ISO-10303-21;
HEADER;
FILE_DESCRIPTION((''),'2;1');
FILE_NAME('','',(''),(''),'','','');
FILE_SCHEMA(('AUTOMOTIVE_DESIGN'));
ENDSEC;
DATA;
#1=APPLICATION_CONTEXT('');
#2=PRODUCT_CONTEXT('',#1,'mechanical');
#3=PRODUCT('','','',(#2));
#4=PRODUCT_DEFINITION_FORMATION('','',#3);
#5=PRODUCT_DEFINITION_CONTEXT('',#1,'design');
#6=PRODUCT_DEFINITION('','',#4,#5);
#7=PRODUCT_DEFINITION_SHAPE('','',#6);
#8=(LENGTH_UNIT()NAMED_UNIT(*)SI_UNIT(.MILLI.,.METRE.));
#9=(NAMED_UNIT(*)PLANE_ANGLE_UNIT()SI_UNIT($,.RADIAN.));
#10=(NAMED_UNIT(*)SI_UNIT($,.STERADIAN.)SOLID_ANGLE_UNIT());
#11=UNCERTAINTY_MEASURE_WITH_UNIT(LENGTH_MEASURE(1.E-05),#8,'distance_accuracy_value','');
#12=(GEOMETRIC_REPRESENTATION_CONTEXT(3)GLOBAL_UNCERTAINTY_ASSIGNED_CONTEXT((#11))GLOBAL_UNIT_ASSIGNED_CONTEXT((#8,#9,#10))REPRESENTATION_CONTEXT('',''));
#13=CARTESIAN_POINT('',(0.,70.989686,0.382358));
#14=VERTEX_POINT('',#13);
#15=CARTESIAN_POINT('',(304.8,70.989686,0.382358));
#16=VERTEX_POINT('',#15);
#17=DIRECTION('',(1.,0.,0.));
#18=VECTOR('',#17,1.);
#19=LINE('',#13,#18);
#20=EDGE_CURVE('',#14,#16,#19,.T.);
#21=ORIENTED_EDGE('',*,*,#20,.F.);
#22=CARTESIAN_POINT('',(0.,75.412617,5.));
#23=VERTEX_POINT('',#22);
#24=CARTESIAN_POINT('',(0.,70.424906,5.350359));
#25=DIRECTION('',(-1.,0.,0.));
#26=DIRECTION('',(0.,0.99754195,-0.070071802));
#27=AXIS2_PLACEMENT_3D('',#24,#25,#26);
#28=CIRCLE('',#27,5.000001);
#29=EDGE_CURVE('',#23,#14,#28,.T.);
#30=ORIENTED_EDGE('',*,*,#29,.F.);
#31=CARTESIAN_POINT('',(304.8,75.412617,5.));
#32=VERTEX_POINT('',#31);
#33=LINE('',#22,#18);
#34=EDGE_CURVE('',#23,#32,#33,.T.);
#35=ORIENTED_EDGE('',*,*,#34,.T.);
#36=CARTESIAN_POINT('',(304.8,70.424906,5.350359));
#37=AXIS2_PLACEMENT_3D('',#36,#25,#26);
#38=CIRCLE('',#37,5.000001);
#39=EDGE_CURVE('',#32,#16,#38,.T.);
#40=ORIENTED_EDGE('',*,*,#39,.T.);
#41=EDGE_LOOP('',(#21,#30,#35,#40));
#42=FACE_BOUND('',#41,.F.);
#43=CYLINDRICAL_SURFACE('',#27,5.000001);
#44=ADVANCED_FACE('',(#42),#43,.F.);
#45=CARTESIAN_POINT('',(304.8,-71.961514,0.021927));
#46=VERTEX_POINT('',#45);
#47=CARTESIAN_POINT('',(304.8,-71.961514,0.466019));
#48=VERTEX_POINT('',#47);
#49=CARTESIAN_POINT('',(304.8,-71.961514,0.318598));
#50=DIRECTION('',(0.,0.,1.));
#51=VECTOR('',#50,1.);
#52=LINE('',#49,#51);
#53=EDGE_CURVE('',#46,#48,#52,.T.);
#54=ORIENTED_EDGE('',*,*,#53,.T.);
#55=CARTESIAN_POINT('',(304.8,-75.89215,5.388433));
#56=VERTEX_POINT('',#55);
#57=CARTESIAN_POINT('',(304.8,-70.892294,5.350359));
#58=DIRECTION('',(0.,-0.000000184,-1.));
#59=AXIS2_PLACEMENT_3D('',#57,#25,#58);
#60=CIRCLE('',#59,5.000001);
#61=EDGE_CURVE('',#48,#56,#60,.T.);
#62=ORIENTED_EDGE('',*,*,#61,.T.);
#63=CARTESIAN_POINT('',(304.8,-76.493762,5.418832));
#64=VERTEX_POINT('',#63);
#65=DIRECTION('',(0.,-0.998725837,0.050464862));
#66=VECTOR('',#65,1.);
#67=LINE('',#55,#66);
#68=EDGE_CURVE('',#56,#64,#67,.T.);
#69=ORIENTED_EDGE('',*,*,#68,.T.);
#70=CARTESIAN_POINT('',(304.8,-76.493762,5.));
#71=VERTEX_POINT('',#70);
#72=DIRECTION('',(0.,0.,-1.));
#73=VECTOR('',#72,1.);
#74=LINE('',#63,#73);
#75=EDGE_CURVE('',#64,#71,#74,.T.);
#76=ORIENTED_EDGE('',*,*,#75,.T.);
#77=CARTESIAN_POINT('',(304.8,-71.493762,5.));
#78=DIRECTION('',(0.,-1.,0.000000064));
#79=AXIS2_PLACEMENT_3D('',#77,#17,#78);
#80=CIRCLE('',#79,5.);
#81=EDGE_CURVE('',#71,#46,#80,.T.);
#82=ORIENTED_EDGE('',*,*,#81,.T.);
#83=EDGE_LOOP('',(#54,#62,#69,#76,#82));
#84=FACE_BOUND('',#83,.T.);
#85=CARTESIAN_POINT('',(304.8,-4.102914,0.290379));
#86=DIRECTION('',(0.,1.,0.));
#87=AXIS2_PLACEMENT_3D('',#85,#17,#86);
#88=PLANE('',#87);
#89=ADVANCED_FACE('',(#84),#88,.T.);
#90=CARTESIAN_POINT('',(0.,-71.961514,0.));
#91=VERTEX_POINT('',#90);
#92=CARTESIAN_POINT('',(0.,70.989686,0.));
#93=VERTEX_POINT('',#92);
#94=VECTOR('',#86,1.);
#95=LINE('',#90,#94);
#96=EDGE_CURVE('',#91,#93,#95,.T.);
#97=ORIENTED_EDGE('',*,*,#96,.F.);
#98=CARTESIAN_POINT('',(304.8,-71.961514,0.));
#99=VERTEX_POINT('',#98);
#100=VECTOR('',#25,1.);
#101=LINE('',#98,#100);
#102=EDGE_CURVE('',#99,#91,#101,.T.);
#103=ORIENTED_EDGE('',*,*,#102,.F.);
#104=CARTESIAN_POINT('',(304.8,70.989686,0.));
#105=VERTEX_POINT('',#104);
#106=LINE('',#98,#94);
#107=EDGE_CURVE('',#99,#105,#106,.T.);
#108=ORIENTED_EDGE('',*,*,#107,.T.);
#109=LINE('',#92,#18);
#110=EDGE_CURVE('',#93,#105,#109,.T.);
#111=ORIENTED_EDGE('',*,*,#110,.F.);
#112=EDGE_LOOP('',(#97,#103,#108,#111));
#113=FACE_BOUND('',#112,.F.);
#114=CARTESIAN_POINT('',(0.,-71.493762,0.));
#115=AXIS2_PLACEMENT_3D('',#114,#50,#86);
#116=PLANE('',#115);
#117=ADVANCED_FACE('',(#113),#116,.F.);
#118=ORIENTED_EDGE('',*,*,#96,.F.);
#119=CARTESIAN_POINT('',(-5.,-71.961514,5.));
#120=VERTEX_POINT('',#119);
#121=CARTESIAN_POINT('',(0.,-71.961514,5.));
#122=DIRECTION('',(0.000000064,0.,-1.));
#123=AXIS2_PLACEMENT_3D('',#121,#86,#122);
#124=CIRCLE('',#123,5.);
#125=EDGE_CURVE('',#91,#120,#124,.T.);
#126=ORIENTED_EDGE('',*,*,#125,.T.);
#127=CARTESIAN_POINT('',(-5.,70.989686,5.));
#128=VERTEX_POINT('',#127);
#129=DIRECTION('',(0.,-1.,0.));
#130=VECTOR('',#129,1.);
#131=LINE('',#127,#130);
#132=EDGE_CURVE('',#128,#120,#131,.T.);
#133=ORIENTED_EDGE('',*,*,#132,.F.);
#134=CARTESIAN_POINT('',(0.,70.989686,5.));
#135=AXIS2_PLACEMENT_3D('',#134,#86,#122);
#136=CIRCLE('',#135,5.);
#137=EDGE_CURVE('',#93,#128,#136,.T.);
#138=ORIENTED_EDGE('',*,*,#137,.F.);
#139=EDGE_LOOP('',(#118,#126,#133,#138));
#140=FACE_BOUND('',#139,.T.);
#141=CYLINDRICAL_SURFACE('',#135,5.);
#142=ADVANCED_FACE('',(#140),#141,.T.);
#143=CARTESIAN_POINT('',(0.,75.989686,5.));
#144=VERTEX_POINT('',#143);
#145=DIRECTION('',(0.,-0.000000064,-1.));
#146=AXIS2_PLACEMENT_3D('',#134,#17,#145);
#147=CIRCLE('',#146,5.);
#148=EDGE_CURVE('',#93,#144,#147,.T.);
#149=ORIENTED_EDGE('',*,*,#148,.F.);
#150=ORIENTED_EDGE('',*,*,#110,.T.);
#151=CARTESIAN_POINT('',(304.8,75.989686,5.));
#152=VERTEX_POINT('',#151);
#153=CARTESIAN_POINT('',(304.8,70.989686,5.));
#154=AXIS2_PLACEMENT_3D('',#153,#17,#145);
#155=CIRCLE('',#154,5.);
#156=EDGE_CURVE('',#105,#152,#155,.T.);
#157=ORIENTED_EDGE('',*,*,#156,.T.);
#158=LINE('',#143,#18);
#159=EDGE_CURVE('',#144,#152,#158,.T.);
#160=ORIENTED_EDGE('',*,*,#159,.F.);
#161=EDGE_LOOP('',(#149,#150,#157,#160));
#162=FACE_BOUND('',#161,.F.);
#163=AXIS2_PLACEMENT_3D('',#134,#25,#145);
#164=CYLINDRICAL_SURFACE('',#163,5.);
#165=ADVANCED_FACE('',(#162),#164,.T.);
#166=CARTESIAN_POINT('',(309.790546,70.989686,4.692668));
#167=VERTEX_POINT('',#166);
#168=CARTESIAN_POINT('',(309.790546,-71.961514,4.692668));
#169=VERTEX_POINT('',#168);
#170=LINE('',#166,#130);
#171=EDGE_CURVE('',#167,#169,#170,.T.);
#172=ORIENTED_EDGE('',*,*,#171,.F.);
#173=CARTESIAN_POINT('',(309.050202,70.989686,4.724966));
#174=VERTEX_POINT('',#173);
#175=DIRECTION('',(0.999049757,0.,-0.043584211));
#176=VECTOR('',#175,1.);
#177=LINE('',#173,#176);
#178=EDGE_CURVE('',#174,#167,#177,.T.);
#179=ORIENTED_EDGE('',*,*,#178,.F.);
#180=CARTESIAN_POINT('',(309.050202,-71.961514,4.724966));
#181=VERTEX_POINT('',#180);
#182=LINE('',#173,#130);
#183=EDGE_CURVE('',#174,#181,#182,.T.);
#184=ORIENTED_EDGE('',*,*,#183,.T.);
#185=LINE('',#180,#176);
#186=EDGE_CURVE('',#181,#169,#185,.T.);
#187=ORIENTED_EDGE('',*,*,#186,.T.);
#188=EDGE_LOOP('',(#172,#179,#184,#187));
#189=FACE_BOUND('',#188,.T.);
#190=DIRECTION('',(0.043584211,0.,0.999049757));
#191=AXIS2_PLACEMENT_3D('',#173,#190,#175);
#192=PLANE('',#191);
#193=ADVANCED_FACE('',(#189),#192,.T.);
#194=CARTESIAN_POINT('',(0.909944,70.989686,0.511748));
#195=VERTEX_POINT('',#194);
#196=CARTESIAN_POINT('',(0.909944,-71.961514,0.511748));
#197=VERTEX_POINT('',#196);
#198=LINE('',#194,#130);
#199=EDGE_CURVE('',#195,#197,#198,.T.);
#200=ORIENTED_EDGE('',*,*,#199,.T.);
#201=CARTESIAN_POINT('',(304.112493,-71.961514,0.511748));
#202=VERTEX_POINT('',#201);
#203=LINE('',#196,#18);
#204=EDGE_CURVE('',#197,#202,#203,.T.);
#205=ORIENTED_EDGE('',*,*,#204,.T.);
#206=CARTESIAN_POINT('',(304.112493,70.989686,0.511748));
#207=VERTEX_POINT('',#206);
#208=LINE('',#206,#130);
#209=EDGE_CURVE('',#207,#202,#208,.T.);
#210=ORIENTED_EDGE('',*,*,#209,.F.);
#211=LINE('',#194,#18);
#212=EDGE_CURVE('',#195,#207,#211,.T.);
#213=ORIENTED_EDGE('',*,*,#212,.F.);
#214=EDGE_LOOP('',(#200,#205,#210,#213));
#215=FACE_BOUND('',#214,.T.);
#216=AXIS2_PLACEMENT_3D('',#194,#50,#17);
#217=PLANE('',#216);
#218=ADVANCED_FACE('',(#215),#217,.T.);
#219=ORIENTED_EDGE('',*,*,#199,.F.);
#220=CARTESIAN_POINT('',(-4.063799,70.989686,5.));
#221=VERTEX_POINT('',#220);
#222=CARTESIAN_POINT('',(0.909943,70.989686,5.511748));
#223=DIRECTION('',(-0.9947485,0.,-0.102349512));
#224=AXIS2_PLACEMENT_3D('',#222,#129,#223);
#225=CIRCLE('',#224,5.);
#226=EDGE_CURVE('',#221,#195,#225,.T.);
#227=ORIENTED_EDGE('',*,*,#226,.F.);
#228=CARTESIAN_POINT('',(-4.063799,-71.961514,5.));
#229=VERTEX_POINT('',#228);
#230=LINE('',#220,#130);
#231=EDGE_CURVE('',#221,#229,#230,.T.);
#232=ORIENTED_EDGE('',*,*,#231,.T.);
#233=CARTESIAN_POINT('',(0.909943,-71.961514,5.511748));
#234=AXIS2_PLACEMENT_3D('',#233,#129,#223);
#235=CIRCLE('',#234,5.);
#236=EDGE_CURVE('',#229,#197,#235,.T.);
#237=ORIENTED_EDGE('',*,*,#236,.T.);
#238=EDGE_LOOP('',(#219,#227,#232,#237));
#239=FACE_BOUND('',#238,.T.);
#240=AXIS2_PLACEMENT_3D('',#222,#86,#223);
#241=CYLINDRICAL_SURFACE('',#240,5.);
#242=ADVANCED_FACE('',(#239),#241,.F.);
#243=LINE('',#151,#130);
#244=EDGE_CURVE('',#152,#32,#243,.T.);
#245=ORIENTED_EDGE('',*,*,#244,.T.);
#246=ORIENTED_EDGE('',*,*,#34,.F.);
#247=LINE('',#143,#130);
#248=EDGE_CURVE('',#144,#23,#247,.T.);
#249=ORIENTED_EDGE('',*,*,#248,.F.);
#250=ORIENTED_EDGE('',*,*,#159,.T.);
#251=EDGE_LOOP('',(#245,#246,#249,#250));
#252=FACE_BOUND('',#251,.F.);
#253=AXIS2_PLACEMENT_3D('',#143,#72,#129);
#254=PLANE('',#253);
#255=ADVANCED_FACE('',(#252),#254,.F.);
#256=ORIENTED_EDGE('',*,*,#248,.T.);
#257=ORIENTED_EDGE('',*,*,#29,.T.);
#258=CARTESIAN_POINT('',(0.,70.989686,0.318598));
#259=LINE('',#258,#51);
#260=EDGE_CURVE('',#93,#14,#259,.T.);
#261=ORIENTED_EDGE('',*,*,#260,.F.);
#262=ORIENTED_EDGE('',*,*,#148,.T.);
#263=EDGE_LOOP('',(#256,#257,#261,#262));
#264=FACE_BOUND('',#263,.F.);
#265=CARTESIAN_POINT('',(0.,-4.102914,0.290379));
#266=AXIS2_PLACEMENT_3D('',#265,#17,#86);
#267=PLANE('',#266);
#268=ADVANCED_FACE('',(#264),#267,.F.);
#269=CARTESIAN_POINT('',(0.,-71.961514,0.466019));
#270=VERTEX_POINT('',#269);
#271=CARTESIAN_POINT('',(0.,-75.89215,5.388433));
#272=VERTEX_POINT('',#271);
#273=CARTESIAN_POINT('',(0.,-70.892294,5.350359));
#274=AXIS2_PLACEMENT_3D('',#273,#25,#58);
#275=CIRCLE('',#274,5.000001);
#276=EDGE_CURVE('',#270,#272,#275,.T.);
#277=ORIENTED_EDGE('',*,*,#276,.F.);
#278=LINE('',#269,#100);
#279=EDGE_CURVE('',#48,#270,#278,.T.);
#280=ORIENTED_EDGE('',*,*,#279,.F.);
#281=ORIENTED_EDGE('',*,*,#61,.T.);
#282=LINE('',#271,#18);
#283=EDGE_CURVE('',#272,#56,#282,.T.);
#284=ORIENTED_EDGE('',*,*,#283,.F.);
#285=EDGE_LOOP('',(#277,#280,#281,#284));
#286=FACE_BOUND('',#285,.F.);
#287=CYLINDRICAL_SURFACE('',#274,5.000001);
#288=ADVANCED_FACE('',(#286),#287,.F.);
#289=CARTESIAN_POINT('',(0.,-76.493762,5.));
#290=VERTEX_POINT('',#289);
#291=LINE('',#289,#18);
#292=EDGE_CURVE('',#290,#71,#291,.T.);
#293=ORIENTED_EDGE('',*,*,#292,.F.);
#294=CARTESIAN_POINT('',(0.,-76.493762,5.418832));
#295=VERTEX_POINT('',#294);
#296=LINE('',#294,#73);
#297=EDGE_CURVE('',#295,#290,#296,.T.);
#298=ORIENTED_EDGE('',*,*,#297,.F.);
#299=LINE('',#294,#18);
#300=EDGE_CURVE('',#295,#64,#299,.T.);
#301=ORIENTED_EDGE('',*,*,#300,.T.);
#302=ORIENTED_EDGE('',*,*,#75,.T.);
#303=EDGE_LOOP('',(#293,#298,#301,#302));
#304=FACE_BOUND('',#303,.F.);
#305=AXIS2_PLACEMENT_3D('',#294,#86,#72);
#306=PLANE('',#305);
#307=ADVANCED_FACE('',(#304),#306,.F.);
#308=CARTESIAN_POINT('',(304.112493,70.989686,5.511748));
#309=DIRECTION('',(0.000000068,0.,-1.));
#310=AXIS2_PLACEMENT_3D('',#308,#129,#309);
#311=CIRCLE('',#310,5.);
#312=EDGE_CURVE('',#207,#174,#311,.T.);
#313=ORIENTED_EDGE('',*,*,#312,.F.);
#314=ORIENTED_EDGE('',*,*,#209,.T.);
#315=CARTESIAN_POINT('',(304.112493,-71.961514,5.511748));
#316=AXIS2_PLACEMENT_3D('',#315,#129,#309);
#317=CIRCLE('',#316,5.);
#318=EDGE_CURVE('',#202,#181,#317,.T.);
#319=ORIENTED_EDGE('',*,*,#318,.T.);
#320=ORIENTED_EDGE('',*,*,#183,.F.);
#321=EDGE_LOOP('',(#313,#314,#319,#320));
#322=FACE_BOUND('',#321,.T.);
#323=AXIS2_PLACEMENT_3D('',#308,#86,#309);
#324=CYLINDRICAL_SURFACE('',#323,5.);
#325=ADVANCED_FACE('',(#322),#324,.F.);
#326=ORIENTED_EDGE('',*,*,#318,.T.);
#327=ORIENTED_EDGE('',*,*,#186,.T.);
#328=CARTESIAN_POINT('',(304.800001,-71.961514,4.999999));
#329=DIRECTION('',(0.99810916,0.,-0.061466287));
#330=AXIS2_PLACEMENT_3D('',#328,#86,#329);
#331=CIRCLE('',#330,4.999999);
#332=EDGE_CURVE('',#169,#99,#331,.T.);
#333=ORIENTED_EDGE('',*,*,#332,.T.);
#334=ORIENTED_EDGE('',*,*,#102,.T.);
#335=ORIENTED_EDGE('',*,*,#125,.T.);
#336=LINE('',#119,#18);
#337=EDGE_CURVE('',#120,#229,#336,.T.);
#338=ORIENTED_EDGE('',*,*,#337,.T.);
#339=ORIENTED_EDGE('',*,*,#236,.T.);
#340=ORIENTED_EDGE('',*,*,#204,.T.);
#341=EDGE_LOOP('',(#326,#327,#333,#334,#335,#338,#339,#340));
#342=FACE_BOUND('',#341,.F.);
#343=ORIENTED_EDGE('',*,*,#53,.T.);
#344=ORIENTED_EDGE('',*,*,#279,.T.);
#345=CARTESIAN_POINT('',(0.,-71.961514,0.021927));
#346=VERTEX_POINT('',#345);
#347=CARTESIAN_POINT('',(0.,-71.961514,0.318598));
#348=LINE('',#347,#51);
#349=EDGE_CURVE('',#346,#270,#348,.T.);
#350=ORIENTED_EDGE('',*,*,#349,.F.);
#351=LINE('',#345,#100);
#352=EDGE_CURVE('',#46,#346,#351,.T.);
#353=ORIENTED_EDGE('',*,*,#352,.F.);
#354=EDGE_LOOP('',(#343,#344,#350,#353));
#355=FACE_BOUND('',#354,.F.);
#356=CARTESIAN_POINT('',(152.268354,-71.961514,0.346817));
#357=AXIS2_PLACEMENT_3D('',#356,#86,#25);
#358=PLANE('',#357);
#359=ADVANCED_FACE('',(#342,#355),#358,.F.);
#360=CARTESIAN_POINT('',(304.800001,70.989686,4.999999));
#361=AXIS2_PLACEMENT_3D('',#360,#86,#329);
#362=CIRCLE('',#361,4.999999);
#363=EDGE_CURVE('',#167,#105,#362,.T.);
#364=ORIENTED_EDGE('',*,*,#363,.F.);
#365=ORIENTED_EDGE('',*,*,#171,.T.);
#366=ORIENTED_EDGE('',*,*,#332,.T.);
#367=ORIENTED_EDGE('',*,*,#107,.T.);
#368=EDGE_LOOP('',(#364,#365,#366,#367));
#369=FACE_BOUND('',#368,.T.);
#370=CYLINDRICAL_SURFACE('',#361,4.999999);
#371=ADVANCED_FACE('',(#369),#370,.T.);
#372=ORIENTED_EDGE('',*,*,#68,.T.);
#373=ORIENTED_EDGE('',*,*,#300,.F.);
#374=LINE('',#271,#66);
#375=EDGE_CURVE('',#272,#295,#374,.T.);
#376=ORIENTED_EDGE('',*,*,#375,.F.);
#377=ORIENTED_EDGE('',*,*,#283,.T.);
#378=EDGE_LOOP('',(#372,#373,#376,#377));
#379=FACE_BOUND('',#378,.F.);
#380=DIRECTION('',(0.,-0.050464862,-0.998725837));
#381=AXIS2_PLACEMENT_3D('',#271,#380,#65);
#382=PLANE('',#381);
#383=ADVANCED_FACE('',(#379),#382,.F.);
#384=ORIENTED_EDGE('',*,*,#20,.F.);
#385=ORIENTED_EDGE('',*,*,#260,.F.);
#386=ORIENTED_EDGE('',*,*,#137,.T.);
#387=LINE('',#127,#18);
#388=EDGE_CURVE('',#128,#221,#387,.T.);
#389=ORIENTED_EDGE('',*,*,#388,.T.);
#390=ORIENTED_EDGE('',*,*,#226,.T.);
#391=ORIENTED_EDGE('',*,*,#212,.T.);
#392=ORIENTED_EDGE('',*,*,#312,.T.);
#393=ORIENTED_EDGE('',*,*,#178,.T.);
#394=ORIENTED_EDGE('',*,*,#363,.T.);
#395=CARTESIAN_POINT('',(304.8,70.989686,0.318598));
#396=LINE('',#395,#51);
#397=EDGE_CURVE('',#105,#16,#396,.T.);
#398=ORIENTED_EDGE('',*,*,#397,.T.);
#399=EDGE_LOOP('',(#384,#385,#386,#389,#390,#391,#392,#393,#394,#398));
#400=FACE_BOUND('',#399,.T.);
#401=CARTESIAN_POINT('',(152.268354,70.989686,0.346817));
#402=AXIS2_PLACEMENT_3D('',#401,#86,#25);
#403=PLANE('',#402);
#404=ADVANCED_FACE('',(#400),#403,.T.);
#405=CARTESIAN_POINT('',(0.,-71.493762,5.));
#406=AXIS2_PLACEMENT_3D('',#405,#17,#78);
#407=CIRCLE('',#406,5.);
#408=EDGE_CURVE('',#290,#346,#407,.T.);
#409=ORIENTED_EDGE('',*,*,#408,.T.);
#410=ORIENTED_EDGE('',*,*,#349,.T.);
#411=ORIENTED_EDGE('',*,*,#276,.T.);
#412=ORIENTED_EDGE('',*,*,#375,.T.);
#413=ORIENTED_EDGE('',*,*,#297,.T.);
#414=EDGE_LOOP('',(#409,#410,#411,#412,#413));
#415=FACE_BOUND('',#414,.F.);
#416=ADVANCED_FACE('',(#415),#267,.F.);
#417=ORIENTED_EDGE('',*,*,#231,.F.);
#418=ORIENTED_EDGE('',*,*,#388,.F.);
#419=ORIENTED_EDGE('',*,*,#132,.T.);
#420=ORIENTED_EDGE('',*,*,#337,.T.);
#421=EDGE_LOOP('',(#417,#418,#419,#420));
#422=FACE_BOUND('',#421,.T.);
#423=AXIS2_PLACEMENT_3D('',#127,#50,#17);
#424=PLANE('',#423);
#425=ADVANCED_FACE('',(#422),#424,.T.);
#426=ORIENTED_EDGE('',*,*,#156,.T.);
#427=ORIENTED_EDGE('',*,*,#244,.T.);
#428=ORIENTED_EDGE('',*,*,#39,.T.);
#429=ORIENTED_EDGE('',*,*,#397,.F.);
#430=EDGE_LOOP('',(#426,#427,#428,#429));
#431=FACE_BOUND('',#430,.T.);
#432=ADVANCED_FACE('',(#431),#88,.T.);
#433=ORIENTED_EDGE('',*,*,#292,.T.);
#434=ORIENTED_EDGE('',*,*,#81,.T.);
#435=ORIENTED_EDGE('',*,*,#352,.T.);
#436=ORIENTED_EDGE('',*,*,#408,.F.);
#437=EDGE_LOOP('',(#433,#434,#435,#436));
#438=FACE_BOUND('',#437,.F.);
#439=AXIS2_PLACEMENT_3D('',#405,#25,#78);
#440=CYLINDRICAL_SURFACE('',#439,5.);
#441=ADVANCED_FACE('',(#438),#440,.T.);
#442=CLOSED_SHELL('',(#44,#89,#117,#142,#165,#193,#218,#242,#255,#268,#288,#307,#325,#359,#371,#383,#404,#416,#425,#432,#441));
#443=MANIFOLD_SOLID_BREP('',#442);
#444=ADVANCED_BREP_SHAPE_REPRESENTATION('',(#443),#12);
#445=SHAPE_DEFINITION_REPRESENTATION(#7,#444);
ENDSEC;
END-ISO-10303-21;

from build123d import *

# Parameters (mm, degrees)
F1_DEPTH = 304.8
F4_DEPTH = 142.9512


with BuildPart() as f1:
    # F0 (on Right) → F1 (new body)
    with BuildSketch(Plane.YZ):
        with BuildLine():
            ThreePointArc((-76.493762, 5), (-75.029296, 1.464466), (-71.493762, 0))
            Line((-71.493762, 0), (70.989686, 0))
            Line((70.989686, 0), (70.989686, 0.382358))
            ThreePointArc((70.989686, 0.382358), (70.707749, 0.358365), (70.424907, 0.350358))
            Line((70.424907, 0.350358), (-70.892295, 0.350358))
            ThreePointArc((-70.892295, 0.350358), (-74.441265, 1.828312), (-75.89215, 5.388433))
            Line((-75.89215, 5.388433), (-76.493762, 5.418832))
            Line((-76.493762, 5.418832), (-76.493762, 5))
        make_face()
        with BuildLine():
            Line((70.989686, 0.382358), (70.989686, 0))
            ThreePointArc((70.989686, 0), (74.52522, 1.464466), (75.989686, 5))
            Line((75.989686, 5), (75.412617, 5))
            ThreePointArc((75.412617, 5), (74.03575, 1.891773), (70.989686, 0.382358))
        make_face()
    extrude(amount=F1_DEPTH)

    # F3 (on face) → F4 (join)
    with BuildSketch(Plane(origin=(0, 70.989686, 0), x_dir=(-1, 0, 0), z_dir=(0, 1, 0))):
        with BuildLine():
            ThreePointArc((-309.790546, 4.692668), (-308.225153, 1.357428), (-304.8, 0))
            Line((-304.8, 0), (0, 0))
            ThreePointArc((0, 0), (3.535534, 1.464466), (5, 5))
            Line((5, 5), (4.063799, 5))
            ThreePointArc((4.063799, 5), (2.439777, 1.79969), (-0.909944, 0.511748))
            Line((-0.909944, 0.511748), (-304.112493, 0.511748))
            ThreePointArc((-304.112493, 0.511748), (-307.357958, 1.708203), (-309.050202, 4.724966))
            Line((-309.050202, 4.724966), (-309.790546, 4.692668))
        make_face()
    extrude(amount=-F4_DEPTH)


solid = f1.part
